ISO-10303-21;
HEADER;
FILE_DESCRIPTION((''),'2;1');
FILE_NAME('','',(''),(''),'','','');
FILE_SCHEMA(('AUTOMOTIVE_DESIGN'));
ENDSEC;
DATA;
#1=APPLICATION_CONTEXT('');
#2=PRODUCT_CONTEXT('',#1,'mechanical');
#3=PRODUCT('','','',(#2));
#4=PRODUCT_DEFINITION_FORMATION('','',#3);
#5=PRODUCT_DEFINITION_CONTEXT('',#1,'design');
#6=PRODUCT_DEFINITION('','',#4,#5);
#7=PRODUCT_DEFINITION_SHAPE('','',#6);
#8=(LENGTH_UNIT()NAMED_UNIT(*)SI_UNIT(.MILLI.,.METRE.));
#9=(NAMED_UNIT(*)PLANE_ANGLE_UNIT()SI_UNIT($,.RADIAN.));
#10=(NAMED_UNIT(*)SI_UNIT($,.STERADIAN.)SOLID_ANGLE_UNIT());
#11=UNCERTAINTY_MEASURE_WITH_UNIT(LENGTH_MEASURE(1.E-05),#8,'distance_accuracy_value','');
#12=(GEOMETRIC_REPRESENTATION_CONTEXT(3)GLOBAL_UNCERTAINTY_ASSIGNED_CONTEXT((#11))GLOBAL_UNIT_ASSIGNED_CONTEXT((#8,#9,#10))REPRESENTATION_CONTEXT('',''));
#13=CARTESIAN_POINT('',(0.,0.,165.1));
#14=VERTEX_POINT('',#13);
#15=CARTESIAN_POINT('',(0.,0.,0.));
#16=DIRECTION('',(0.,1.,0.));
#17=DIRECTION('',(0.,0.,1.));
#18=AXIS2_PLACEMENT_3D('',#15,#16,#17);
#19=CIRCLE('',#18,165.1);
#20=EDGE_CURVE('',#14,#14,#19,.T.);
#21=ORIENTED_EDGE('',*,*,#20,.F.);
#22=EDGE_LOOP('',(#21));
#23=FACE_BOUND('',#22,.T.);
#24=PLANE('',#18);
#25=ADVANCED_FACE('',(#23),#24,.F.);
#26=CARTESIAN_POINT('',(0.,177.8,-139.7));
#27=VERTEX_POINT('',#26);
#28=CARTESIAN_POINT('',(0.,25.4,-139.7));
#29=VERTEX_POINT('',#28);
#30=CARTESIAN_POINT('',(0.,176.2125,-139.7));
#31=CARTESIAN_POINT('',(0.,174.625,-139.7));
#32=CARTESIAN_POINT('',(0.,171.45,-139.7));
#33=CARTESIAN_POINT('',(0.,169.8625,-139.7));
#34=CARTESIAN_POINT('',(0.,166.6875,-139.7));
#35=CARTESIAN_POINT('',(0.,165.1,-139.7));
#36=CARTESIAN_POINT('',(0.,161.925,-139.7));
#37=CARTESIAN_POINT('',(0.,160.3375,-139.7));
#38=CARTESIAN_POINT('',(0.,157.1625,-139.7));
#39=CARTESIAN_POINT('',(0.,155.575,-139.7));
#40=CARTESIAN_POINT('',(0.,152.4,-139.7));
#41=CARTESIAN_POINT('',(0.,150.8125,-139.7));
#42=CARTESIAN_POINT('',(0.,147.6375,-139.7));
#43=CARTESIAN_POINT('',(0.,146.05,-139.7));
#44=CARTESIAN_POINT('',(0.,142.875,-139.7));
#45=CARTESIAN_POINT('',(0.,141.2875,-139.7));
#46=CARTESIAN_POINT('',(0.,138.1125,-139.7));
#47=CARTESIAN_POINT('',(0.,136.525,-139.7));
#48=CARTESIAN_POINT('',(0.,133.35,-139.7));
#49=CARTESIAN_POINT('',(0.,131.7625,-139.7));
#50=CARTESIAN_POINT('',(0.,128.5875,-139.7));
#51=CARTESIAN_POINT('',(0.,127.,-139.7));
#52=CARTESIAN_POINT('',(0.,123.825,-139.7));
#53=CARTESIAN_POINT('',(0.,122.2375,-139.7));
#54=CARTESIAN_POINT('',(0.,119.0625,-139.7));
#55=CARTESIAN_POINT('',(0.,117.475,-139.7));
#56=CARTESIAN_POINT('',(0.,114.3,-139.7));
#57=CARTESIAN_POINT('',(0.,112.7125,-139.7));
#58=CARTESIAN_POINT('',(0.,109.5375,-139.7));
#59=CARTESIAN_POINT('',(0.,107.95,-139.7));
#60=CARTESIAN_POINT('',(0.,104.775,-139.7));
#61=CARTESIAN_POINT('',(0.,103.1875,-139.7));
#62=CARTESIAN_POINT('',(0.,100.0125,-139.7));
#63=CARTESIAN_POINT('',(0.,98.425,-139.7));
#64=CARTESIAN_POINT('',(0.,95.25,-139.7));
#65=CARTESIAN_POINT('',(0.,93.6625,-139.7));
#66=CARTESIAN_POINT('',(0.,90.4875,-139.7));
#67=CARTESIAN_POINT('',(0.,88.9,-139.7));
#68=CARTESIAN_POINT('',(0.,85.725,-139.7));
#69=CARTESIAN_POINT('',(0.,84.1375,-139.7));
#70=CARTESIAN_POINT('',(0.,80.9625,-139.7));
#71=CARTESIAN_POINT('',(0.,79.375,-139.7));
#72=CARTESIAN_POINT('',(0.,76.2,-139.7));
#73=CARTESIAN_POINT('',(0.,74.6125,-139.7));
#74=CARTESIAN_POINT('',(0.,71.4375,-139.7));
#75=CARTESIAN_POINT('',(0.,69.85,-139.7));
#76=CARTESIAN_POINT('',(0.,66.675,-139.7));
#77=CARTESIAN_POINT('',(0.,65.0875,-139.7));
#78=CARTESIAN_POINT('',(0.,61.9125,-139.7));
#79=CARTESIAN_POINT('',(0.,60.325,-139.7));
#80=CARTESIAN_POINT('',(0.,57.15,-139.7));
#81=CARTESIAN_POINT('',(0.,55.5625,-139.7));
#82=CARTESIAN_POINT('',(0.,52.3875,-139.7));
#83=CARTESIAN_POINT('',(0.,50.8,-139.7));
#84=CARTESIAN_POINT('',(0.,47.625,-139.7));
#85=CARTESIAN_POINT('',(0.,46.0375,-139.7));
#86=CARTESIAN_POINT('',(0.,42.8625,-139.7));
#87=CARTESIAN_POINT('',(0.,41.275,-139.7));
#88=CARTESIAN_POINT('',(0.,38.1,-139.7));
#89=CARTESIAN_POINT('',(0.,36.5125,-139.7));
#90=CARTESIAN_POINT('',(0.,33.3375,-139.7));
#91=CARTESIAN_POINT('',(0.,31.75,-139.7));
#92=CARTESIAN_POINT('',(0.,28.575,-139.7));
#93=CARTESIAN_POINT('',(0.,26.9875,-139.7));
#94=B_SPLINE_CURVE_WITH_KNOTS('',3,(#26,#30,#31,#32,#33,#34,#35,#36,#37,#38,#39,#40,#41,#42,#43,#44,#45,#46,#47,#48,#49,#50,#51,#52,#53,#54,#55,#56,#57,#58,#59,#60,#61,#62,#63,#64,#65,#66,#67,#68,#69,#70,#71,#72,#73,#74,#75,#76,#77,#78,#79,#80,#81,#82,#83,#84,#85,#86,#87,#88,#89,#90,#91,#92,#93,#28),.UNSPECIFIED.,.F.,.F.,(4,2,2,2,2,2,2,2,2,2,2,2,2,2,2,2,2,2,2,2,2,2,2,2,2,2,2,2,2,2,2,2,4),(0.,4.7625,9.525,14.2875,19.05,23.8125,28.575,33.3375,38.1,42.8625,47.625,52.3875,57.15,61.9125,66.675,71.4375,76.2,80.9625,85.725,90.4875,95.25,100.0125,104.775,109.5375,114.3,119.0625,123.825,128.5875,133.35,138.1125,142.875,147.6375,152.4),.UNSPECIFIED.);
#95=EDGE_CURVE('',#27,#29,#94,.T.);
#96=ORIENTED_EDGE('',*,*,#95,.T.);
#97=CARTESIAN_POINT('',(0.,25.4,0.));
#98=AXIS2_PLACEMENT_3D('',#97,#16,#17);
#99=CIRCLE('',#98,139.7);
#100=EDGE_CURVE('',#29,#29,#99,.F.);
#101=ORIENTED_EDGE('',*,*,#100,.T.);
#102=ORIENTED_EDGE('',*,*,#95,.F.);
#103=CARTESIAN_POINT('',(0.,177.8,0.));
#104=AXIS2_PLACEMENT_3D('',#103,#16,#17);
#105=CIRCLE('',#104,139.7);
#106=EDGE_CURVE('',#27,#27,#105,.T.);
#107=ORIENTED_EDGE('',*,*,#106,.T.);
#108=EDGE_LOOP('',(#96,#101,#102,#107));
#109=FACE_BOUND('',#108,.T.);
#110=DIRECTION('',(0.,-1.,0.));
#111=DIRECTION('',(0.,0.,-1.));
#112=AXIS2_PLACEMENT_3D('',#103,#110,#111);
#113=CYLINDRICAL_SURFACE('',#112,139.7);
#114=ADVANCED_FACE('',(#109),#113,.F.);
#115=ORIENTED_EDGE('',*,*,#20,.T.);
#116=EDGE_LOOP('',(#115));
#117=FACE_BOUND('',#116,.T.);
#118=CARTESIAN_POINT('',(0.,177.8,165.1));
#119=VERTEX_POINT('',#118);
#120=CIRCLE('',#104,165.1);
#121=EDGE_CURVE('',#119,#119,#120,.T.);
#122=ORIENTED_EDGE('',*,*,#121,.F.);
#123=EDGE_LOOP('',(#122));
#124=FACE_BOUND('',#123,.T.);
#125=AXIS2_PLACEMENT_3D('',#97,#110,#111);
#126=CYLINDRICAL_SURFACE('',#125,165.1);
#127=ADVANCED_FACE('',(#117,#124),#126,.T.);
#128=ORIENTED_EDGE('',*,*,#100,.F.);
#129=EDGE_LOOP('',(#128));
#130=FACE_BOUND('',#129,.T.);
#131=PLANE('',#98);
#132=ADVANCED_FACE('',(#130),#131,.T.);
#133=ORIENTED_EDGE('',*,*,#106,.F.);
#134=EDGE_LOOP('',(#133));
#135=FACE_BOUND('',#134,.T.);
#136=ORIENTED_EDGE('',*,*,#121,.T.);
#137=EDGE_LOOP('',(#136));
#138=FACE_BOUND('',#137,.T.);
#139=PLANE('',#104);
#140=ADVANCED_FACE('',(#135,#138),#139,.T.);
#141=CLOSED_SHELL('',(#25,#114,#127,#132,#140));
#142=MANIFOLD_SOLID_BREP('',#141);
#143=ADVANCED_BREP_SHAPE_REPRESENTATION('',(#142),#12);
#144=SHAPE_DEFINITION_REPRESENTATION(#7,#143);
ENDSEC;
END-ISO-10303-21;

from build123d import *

# Parameters (mm, degrees)
SKETCH1_R           = 165.1
BOSS_EXTRUDE1_DEPTH = 25.4
SKETCH2_R           = 165.1
SKETCH2_R_2         = 139.7
BOSS_EXTRUDE2_DEPTH = 152.4


with BuildPart() as part:
    # Sketch1 → Boss-Extrude1 (new body)
    with BuildSketch(Plane(origin=(0, 0, 0), x_dir=(1, 0, 0), z_dir=(0, 1, 0))):
        with Locations(Location((0, 0, 0), (0, 0, 270))):
            Circle(SKETCH1_R)
    extrude(amount=BOSS_EXTRUDE1_DEPTH)

    # Sketch2 → Boss-Extrude2 (add)
    with BuildSketch(Plane(origin=(0, 25.4, 0), x_dir=(1, 0, 0), z_dir=(0, 1, 0))):
        with Locations(Location((0, 0, 0), (0, 0, 270))):
            Circle(SKETCH2_R)
        with Locations(Location((0, 0, 0), (0, 0, 90))):
            Circle(SKETCH2_R_2, mode=Mode.SUBTRACT)
    extrude(amount=BOSS_EXTRUDE2_DEPTH)


solid = part.part
